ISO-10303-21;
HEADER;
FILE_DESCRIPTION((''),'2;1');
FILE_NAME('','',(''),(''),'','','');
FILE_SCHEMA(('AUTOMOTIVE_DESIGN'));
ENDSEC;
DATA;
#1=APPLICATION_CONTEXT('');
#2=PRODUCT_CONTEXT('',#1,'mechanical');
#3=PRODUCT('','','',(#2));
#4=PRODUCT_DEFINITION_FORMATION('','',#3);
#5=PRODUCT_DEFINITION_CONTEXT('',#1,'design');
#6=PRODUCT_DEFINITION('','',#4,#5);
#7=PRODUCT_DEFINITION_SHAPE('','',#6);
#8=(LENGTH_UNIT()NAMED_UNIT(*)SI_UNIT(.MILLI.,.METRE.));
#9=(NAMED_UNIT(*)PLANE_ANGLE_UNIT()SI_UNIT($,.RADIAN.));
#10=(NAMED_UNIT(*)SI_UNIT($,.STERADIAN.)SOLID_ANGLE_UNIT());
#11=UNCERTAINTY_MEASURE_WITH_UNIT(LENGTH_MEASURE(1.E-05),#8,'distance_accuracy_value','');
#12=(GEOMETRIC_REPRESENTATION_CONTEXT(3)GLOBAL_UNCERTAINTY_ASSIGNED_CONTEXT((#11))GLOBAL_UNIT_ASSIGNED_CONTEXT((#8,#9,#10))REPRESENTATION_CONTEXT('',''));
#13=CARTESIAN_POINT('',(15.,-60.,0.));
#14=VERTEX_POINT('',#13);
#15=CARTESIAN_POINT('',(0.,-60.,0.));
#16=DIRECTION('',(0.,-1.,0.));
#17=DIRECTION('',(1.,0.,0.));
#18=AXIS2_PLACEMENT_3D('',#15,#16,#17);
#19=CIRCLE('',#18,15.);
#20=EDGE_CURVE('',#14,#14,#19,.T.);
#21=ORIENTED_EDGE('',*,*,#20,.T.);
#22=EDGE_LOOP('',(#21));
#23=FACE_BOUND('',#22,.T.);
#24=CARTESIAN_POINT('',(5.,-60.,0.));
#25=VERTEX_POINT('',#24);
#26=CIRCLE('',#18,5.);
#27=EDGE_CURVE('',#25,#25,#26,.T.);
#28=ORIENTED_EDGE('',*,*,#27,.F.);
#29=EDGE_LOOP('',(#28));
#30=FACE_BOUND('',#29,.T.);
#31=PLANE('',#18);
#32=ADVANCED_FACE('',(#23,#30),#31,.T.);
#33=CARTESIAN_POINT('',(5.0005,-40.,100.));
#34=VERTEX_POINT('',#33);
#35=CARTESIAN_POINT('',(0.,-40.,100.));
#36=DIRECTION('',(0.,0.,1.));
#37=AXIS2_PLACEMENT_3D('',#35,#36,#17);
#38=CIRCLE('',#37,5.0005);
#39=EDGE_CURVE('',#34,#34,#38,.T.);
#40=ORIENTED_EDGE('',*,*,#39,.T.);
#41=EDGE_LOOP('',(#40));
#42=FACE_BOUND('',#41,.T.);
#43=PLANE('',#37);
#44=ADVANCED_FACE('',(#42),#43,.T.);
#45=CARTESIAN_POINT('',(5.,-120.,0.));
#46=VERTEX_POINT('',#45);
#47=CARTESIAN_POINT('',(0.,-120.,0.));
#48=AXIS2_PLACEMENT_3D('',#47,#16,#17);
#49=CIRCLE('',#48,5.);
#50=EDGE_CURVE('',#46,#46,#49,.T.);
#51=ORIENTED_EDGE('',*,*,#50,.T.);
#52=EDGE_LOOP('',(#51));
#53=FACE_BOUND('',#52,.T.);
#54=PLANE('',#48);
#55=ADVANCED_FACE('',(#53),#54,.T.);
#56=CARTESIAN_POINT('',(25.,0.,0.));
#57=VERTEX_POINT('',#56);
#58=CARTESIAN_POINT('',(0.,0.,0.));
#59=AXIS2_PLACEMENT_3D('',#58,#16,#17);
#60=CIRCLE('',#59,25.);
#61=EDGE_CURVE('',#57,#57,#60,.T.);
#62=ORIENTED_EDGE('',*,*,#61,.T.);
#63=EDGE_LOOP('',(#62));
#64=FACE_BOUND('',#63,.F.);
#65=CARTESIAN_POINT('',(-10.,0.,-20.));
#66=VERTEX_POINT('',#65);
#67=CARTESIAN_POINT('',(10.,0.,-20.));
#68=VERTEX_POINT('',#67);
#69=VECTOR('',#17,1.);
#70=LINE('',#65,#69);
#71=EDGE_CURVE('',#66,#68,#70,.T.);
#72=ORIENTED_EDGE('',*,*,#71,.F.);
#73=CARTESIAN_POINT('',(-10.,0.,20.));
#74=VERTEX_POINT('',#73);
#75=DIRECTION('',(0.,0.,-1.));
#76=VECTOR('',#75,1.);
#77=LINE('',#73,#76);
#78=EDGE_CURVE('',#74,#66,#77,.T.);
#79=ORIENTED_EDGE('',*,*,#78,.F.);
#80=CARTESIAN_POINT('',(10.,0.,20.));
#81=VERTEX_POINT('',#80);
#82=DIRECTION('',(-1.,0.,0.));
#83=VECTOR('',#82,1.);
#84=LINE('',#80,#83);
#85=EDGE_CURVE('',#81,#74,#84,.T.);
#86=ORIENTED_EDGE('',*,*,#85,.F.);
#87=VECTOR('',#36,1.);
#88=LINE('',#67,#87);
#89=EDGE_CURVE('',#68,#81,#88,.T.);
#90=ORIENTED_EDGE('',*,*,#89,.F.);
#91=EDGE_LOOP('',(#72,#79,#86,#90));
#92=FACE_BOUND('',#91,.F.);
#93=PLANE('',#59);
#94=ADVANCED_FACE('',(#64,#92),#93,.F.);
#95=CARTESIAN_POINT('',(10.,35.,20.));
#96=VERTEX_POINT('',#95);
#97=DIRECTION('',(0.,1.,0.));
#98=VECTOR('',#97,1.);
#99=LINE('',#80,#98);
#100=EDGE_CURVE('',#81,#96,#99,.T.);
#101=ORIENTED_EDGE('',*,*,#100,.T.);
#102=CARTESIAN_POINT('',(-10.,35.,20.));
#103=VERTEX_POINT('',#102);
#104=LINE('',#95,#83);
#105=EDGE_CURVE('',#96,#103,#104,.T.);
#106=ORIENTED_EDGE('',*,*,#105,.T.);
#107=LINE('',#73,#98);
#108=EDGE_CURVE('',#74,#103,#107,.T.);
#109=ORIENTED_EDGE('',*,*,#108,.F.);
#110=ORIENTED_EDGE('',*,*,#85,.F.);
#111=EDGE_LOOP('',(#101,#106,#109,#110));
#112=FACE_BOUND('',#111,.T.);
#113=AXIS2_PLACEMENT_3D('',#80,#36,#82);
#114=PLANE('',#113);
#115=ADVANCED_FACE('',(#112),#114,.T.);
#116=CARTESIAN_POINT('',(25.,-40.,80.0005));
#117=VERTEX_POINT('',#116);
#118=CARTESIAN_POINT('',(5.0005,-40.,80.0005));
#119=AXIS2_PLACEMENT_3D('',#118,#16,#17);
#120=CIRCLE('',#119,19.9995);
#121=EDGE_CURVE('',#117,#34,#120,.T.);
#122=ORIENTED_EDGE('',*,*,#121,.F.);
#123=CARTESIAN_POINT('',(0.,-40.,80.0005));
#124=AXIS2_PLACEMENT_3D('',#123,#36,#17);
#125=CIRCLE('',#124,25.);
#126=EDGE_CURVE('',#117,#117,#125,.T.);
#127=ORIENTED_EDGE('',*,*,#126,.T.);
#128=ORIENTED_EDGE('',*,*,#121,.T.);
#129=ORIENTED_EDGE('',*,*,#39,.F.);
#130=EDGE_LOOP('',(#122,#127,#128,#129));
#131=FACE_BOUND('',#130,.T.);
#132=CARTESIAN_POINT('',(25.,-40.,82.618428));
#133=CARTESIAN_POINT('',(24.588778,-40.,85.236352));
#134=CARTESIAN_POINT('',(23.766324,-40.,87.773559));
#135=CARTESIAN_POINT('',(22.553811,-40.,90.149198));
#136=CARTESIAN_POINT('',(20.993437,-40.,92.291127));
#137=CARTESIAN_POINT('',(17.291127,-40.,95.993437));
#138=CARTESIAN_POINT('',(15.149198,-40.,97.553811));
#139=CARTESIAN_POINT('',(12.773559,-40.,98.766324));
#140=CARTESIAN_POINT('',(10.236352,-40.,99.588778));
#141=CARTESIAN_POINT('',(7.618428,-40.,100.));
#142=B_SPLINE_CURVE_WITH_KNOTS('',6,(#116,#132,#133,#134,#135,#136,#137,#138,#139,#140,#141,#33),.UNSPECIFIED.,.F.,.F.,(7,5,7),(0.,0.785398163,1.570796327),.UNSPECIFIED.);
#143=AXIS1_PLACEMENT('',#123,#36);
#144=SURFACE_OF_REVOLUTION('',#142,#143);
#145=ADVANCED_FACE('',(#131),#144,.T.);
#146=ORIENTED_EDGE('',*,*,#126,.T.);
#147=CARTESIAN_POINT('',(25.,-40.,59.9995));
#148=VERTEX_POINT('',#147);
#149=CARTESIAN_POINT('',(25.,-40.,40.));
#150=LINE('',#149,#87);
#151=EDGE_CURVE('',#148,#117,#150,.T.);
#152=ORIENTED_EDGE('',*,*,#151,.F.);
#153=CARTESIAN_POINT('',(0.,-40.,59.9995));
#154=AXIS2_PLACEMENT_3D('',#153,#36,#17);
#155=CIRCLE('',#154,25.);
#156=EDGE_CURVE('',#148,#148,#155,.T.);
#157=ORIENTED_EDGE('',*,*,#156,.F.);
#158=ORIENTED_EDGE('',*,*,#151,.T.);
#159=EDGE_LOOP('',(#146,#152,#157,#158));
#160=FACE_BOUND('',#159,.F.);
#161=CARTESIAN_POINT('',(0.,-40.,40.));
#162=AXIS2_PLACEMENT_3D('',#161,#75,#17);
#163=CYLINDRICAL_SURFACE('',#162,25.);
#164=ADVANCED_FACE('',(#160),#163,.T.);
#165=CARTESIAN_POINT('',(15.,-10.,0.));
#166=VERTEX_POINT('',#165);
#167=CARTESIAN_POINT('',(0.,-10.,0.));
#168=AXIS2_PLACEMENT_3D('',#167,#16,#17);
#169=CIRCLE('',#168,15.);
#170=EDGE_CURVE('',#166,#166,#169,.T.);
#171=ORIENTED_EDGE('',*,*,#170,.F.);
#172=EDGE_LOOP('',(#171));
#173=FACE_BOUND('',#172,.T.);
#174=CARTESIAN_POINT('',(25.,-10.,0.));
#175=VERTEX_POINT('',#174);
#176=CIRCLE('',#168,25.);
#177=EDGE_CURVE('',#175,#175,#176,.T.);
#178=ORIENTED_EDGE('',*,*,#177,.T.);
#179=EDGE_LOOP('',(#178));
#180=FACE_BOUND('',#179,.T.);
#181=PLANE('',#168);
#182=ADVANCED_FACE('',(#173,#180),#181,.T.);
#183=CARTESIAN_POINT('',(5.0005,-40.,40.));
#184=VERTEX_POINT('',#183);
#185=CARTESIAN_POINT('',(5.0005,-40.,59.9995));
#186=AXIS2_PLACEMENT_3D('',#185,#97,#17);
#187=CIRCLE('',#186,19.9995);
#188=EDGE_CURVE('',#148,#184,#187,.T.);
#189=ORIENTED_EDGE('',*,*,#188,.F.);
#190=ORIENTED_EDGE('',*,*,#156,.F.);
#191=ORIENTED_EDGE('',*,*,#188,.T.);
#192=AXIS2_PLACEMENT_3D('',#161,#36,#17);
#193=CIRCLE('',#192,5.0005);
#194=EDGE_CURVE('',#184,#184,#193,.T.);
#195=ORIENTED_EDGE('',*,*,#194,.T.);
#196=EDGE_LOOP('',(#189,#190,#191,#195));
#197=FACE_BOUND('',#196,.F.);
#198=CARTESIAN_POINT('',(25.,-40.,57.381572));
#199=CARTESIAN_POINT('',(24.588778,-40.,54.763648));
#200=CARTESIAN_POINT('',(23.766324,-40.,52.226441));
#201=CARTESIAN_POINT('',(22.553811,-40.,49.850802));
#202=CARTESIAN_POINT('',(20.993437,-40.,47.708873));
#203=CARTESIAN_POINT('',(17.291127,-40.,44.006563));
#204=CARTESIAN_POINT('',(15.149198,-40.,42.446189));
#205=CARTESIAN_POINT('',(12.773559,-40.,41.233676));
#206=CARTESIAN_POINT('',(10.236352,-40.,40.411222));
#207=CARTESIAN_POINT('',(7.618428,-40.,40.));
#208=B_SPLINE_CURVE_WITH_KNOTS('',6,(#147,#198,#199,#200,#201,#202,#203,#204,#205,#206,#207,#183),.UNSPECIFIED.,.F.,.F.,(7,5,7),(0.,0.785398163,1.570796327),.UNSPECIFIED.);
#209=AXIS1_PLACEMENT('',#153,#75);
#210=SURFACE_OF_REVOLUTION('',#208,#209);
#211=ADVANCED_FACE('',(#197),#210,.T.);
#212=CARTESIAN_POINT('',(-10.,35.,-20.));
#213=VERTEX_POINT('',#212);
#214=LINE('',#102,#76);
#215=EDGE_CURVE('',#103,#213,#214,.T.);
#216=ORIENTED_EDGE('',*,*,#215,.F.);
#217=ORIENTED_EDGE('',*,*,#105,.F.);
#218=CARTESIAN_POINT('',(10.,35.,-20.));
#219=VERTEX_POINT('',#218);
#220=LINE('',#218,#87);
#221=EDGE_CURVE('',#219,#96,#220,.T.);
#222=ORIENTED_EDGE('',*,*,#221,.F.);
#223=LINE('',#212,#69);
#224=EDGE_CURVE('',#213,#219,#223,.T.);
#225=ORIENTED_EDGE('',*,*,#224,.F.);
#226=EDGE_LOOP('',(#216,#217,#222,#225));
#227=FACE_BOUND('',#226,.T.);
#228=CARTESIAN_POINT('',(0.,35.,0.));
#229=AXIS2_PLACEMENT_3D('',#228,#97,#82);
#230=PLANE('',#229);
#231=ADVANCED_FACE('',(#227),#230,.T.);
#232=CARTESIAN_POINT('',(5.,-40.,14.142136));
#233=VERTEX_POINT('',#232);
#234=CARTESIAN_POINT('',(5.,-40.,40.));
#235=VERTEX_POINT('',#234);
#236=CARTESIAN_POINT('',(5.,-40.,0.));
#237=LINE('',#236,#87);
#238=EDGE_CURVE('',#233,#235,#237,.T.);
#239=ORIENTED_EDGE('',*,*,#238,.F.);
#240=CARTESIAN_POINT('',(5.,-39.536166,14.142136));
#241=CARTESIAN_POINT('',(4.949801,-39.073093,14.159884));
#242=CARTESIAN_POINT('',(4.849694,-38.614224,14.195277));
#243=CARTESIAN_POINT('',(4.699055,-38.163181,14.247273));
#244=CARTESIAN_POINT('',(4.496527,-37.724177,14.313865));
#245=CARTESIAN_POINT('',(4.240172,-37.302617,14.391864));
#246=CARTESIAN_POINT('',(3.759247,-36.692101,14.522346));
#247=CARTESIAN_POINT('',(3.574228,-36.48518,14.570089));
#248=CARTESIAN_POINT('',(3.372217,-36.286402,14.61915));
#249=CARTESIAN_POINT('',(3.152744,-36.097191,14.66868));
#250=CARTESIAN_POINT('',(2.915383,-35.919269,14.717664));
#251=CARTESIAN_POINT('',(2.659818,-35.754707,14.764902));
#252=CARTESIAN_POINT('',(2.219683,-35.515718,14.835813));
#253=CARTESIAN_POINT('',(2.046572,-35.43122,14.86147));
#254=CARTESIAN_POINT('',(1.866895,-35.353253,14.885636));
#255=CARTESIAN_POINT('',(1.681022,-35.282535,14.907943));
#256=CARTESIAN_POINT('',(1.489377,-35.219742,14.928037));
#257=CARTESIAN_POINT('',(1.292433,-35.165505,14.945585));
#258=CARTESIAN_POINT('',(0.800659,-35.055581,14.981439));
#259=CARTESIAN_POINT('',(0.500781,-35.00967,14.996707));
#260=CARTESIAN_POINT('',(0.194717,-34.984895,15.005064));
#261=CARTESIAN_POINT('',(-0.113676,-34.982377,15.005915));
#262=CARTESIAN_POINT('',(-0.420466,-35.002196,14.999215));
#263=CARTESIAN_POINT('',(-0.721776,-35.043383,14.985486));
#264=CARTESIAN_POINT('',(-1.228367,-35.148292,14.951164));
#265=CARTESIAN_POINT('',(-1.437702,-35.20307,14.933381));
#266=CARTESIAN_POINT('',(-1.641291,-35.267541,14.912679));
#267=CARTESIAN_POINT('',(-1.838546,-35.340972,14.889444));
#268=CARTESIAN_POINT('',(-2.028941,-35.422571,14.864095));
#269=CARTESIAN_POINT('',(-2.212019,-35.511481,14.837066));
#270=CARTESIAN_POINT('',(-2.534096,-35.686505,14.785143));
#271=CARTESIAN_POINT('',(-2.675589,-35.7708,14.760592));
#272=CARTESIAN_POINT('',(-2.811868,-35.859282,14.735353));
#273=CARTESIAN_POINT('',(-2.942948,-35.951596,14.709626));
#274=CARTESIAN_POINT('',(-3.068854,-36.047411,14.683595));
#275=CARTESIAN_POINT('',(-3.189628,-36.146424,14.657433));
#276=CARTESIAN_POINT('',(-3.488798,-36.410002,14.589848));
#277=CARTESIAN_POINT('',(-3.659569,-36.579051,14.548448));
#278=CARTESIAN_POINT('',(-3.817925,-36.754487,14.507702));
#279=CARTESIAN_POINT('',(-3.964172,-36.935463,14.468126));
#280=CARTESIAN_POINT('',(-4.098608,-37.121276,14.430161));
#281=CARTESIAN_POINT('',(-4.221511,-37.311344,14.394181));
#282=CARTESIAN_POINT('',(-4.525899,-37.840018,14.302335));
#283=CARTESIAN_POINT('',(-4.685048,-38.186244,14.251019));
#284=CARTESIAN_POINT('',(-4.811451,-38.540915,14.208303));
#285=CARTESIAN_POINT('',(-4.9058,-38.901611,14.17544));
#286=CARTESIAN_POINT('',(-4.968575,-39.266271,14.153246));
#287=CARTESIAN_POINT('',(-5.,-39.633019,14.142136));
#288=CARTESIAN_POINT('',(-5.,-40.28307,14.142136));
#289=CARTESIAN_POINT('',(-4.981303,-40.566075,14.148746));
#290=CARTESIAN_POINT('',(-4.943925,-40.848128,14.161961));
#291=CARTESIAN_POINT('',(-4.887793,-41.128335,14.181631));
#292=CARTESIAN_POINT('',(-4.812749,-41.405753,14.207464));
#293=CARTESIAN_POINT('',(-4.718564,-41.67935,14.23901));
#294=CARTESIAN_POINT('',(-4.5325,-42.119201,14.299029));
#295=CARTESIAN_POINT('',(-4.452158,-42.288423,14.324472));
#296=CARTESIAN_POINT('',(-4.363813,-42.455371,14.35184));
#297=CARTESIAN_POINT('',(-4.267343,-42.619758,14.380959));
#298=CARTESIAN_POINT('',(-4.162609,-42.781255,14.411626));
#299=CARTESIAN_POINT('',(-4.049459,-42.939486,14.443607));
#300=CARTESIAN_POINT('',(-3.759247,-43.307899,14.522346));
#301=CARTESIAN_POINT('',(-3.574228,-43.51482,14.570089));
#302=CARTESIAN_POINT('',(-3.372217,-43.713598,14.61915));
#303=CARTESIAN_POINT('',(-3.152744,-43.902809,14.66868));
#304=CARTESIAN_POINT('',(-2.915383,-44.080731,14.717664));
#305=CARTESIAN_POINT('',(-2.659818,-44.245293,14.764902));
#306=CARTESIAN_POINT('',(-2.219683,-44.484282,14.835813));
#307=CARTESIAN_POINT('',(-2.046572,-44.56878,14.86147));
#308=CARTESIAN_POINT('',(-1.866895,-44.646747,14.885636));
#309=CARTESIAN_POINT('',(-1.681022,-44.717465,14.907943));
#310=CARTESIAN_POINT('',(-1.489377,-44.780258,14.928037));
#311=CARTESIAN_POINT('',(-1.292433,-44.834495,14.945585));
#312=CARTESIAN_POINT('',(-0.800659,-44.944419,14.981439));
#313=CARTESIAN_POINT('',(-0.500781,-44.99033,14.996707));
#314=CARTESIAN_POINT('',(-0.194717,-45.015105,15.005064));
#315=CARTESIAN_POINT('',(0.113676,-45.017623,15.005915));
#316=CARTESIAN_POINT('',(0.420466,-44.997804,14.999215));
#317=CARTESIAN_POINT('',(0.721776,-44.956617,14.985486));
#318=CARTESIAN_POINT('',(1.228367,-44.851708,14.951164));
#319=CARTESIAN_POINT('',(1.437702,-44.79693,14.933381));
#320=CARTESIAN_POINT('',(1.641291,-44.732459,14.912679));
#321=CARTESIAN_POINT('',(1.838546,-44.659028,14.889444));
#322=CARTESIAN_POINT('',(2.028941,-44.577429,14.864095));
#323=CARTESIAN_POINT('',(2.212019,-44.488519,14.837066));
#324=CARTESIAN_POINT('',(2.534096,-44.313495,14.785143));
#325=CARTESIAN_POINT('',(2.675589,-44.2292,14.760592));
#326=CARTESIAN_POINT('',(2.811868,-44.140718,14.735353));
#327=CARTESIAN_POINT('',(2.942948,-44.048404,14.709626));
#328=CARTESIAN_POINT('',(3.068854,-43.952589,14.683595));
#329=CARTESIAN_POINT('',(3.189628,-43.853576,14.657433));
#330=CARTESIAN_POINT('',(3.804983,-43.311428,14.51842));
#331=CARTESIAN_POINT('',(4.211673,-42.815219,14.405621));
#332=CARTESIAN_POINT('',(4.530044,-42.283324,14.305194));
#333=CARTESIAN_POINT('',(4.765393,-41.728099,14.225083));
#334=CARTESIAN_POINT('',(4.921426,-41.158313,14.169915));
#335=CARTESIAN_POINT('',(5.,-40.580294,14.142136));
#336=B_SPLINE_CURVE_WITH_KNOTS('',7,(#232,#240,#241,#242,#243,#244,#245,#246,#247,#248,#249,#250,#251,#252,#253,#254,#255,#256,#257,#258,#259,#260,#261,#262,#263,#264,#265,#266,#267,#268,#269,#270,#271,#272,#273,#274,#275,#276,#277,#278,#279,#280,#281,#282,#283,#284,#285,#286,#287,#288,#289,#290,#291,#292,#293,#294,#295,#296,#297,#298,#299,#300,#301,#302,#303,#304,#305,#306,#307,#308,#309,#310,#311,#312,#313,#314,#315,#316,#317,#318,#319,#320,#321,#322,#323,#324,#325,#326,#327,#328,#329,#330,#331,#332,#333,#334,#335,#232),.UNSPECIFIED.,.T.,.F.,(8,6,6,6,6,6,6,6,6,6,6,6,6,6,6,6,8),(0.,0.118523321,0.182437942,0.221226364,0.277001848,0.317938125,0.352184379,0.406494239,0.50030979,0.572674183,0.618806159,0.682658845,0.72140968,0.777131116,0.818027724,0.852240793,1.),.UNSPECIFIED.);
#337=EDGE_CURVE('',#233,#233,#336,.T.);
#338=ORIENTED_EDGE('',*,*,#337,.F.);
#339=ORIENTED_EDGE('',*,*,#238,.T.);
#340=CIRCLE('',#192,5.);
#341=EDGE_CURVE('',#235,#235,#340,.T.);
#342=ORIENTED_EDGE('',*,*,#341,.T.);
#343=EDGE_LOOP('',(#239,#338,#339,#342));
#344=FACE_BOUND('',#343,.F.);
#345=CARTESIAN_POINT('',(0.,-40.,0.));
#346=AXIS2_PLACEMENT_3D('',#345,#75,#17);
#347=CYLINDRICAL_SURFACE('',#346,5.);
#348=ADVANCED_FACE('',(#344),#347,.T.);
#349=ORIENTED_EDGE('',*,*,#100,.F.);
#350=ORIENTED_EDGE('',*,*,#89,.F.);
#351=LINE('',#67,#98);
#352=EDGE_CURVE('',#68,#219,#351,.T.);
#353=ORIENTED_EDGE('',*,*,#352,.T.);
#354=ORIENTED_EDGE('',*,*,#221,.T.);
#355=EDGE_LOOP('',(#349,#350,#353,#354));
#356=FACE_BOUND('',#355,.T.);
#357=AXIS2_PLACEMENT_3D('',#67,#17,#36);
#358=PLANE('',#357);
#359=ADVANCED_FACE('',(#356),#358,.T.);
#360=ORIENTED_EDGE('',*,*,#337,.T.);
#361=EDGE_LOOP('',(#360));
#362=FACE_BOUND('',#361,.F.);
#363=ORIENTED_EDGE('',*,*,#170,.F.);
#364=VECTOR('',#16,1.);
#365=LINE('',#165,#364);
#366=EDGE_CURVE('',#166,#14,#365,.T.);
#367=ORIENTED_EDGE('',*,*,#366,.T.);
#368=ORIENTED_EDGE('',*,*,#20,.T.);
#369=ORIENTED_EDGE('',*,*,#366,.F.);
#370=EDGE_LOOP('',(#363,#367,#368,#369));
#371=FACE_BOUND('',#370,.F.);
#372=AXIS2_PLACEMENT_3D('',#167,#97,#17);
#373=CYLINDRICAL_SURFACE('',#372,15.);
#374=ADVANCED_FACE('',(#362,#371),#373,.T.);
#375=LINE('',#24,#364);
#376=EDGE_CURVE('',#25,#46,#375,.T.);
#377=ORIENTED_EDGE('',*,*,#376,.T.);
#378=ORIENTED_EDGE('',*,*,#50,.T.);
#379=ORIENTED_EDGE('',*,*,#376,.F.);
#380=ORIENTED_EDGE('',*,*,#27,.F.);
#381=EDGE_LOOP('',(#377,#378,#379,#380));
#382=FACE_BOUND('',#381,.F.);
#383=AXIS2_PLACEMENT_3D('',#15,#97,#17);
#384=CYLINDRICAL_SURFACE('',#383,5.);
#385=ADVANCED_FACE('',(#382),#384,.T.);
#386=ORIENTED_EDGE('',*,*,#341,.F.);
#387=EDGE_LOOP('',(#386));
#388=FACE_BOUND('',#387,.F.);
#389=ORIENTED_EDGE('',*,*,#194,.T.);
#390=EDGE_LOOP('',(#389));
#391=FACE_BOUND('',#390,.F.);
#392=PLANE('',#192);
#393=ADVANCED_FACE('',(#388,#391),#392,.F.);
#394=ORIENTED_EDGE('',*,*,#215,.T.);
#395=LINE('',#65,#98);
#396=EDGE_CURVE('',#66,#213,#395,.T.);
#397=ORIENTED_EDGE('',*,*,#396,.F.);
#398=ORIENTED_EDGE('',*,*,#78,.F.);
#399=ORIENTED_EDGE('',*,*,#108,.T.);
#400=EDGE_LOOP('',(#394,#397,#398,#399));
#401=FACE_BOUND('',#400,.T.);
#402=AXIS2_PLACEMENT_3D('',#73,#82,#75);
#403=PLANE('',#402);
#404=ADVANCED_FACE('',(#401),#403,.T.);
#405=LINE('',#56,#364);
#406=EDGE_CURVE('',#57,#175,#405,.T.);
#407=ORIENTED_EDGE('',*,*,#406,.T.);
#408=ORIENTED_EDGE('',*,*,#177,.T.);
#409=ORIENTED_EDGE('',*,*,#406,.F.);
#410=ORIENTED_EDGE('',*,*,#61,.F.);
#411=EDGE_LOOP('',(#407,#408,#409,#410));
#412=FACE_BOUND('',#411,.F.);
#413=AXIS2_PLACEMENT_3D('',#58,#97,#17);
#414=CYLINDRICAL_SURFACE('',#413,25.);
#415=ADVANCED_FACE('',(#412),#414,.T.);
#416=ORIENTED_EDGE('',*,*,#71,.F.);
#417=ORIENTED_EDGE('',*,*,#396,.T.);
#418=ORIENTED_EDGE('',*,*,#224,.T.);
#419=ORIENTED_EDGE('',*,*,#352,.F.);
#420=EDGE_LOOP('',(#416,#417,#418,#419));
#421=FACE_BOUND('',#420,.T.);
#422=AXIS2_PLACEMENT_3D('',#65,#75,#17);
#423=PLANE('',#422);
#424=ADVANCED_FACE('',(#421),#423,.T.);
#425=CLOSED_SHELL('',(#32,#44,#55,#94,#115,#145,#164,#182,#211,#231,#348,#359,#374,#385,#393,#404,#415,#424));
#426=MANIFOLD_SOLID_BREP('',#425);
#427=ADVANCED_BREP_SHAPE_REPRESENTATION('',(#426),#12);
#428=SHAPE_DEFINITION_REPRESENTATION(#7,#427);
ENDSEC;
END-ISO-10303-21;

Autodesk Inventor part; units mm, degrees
ref_plane "YZ Plane" through (0, 0, 0) normal (1, 0, 0) x (0, 1, 0)
ref_plane "XZ Plane" through (0, 0, 0) normal (0, 1, 0) x (-1, 0, 0)
ref_plane "XY Plane" through (0, 0, 0) normal (0, 0, 1) x (1, 0, 0)
sketch "Skizze1" plane through (0, 0, 0) normal (0, 1, 0) x (-1, 0, 0)
  line L0 (10, -20) -> (-10, -20)
  line L1 (-10, -20) -> (-10, 20)
  line L2 (-10, 20) -> (10, 20)
  line L3 (10, 20) -> (10, -20)
  line L4 (10, -20) -> (-10, 20) construction
  line L5 (-10, -20) -> (10, 20) construction
  point P0 (0, 0)
  dimension "d0" = 20
  dimension "d1" = 40
extrude "Extrusion1" add sketch "Skizze1" along normal blind 35
sketch "Skizze2" plane through (0, 0, 0) normal (0, -1, 0) x (1, 0, 0)
  circle A0 centre (0, 0) radius 25
  dimension "d4" = 50
extrude "Extrusion2" add sketch "Skizze2" along normal blind 10
sketch "Skizze3" plane through (0, -10, 0) normal (0, -1, 0) x (1, 0, 0)
  circle A0 centre (0, 0) radius 15
  dimension "d7" = 30
extrude "Extrusion3" add sketch "Skizze3" along normal blind 50
sketch "Skizze4" plane through (0, 0, 0) normal (0, 0, 1) x (1, 0, 0)
  circle A0 centre (0, -40) radius 5
  point P0 (0, 0)
  dimension "d10" = 10
  dimension "d13" = 40
extrude "Extrusion4" add sketch "Skizze4" along normal blind 40
sketch "Skizze5" plane through (0, -40, 40) normal (0, 0, 1) x (1, 0, 0)
  circle A0 centre (0, 0) radius 25
  point P0 (0, 40)
  dimension "d14" = 50
extrude "Extrusion5" add sketch "Skizze5" along normal blind 60
fillet "Rundung1" radius 20 2 edges at (-25, -40, 100) (-25, -40, 40)
sketch "Skizze6" plane through (0, -60, 0) normal (0, -1, 0) x (1, 0, 0)
  circle A0 centre (0, 0) radius 5
  dimension "d18" = 10
extrude "Extrusion6" add sketch "Skizze6" along normal blind 60
properties part number "Lackierkopf"
